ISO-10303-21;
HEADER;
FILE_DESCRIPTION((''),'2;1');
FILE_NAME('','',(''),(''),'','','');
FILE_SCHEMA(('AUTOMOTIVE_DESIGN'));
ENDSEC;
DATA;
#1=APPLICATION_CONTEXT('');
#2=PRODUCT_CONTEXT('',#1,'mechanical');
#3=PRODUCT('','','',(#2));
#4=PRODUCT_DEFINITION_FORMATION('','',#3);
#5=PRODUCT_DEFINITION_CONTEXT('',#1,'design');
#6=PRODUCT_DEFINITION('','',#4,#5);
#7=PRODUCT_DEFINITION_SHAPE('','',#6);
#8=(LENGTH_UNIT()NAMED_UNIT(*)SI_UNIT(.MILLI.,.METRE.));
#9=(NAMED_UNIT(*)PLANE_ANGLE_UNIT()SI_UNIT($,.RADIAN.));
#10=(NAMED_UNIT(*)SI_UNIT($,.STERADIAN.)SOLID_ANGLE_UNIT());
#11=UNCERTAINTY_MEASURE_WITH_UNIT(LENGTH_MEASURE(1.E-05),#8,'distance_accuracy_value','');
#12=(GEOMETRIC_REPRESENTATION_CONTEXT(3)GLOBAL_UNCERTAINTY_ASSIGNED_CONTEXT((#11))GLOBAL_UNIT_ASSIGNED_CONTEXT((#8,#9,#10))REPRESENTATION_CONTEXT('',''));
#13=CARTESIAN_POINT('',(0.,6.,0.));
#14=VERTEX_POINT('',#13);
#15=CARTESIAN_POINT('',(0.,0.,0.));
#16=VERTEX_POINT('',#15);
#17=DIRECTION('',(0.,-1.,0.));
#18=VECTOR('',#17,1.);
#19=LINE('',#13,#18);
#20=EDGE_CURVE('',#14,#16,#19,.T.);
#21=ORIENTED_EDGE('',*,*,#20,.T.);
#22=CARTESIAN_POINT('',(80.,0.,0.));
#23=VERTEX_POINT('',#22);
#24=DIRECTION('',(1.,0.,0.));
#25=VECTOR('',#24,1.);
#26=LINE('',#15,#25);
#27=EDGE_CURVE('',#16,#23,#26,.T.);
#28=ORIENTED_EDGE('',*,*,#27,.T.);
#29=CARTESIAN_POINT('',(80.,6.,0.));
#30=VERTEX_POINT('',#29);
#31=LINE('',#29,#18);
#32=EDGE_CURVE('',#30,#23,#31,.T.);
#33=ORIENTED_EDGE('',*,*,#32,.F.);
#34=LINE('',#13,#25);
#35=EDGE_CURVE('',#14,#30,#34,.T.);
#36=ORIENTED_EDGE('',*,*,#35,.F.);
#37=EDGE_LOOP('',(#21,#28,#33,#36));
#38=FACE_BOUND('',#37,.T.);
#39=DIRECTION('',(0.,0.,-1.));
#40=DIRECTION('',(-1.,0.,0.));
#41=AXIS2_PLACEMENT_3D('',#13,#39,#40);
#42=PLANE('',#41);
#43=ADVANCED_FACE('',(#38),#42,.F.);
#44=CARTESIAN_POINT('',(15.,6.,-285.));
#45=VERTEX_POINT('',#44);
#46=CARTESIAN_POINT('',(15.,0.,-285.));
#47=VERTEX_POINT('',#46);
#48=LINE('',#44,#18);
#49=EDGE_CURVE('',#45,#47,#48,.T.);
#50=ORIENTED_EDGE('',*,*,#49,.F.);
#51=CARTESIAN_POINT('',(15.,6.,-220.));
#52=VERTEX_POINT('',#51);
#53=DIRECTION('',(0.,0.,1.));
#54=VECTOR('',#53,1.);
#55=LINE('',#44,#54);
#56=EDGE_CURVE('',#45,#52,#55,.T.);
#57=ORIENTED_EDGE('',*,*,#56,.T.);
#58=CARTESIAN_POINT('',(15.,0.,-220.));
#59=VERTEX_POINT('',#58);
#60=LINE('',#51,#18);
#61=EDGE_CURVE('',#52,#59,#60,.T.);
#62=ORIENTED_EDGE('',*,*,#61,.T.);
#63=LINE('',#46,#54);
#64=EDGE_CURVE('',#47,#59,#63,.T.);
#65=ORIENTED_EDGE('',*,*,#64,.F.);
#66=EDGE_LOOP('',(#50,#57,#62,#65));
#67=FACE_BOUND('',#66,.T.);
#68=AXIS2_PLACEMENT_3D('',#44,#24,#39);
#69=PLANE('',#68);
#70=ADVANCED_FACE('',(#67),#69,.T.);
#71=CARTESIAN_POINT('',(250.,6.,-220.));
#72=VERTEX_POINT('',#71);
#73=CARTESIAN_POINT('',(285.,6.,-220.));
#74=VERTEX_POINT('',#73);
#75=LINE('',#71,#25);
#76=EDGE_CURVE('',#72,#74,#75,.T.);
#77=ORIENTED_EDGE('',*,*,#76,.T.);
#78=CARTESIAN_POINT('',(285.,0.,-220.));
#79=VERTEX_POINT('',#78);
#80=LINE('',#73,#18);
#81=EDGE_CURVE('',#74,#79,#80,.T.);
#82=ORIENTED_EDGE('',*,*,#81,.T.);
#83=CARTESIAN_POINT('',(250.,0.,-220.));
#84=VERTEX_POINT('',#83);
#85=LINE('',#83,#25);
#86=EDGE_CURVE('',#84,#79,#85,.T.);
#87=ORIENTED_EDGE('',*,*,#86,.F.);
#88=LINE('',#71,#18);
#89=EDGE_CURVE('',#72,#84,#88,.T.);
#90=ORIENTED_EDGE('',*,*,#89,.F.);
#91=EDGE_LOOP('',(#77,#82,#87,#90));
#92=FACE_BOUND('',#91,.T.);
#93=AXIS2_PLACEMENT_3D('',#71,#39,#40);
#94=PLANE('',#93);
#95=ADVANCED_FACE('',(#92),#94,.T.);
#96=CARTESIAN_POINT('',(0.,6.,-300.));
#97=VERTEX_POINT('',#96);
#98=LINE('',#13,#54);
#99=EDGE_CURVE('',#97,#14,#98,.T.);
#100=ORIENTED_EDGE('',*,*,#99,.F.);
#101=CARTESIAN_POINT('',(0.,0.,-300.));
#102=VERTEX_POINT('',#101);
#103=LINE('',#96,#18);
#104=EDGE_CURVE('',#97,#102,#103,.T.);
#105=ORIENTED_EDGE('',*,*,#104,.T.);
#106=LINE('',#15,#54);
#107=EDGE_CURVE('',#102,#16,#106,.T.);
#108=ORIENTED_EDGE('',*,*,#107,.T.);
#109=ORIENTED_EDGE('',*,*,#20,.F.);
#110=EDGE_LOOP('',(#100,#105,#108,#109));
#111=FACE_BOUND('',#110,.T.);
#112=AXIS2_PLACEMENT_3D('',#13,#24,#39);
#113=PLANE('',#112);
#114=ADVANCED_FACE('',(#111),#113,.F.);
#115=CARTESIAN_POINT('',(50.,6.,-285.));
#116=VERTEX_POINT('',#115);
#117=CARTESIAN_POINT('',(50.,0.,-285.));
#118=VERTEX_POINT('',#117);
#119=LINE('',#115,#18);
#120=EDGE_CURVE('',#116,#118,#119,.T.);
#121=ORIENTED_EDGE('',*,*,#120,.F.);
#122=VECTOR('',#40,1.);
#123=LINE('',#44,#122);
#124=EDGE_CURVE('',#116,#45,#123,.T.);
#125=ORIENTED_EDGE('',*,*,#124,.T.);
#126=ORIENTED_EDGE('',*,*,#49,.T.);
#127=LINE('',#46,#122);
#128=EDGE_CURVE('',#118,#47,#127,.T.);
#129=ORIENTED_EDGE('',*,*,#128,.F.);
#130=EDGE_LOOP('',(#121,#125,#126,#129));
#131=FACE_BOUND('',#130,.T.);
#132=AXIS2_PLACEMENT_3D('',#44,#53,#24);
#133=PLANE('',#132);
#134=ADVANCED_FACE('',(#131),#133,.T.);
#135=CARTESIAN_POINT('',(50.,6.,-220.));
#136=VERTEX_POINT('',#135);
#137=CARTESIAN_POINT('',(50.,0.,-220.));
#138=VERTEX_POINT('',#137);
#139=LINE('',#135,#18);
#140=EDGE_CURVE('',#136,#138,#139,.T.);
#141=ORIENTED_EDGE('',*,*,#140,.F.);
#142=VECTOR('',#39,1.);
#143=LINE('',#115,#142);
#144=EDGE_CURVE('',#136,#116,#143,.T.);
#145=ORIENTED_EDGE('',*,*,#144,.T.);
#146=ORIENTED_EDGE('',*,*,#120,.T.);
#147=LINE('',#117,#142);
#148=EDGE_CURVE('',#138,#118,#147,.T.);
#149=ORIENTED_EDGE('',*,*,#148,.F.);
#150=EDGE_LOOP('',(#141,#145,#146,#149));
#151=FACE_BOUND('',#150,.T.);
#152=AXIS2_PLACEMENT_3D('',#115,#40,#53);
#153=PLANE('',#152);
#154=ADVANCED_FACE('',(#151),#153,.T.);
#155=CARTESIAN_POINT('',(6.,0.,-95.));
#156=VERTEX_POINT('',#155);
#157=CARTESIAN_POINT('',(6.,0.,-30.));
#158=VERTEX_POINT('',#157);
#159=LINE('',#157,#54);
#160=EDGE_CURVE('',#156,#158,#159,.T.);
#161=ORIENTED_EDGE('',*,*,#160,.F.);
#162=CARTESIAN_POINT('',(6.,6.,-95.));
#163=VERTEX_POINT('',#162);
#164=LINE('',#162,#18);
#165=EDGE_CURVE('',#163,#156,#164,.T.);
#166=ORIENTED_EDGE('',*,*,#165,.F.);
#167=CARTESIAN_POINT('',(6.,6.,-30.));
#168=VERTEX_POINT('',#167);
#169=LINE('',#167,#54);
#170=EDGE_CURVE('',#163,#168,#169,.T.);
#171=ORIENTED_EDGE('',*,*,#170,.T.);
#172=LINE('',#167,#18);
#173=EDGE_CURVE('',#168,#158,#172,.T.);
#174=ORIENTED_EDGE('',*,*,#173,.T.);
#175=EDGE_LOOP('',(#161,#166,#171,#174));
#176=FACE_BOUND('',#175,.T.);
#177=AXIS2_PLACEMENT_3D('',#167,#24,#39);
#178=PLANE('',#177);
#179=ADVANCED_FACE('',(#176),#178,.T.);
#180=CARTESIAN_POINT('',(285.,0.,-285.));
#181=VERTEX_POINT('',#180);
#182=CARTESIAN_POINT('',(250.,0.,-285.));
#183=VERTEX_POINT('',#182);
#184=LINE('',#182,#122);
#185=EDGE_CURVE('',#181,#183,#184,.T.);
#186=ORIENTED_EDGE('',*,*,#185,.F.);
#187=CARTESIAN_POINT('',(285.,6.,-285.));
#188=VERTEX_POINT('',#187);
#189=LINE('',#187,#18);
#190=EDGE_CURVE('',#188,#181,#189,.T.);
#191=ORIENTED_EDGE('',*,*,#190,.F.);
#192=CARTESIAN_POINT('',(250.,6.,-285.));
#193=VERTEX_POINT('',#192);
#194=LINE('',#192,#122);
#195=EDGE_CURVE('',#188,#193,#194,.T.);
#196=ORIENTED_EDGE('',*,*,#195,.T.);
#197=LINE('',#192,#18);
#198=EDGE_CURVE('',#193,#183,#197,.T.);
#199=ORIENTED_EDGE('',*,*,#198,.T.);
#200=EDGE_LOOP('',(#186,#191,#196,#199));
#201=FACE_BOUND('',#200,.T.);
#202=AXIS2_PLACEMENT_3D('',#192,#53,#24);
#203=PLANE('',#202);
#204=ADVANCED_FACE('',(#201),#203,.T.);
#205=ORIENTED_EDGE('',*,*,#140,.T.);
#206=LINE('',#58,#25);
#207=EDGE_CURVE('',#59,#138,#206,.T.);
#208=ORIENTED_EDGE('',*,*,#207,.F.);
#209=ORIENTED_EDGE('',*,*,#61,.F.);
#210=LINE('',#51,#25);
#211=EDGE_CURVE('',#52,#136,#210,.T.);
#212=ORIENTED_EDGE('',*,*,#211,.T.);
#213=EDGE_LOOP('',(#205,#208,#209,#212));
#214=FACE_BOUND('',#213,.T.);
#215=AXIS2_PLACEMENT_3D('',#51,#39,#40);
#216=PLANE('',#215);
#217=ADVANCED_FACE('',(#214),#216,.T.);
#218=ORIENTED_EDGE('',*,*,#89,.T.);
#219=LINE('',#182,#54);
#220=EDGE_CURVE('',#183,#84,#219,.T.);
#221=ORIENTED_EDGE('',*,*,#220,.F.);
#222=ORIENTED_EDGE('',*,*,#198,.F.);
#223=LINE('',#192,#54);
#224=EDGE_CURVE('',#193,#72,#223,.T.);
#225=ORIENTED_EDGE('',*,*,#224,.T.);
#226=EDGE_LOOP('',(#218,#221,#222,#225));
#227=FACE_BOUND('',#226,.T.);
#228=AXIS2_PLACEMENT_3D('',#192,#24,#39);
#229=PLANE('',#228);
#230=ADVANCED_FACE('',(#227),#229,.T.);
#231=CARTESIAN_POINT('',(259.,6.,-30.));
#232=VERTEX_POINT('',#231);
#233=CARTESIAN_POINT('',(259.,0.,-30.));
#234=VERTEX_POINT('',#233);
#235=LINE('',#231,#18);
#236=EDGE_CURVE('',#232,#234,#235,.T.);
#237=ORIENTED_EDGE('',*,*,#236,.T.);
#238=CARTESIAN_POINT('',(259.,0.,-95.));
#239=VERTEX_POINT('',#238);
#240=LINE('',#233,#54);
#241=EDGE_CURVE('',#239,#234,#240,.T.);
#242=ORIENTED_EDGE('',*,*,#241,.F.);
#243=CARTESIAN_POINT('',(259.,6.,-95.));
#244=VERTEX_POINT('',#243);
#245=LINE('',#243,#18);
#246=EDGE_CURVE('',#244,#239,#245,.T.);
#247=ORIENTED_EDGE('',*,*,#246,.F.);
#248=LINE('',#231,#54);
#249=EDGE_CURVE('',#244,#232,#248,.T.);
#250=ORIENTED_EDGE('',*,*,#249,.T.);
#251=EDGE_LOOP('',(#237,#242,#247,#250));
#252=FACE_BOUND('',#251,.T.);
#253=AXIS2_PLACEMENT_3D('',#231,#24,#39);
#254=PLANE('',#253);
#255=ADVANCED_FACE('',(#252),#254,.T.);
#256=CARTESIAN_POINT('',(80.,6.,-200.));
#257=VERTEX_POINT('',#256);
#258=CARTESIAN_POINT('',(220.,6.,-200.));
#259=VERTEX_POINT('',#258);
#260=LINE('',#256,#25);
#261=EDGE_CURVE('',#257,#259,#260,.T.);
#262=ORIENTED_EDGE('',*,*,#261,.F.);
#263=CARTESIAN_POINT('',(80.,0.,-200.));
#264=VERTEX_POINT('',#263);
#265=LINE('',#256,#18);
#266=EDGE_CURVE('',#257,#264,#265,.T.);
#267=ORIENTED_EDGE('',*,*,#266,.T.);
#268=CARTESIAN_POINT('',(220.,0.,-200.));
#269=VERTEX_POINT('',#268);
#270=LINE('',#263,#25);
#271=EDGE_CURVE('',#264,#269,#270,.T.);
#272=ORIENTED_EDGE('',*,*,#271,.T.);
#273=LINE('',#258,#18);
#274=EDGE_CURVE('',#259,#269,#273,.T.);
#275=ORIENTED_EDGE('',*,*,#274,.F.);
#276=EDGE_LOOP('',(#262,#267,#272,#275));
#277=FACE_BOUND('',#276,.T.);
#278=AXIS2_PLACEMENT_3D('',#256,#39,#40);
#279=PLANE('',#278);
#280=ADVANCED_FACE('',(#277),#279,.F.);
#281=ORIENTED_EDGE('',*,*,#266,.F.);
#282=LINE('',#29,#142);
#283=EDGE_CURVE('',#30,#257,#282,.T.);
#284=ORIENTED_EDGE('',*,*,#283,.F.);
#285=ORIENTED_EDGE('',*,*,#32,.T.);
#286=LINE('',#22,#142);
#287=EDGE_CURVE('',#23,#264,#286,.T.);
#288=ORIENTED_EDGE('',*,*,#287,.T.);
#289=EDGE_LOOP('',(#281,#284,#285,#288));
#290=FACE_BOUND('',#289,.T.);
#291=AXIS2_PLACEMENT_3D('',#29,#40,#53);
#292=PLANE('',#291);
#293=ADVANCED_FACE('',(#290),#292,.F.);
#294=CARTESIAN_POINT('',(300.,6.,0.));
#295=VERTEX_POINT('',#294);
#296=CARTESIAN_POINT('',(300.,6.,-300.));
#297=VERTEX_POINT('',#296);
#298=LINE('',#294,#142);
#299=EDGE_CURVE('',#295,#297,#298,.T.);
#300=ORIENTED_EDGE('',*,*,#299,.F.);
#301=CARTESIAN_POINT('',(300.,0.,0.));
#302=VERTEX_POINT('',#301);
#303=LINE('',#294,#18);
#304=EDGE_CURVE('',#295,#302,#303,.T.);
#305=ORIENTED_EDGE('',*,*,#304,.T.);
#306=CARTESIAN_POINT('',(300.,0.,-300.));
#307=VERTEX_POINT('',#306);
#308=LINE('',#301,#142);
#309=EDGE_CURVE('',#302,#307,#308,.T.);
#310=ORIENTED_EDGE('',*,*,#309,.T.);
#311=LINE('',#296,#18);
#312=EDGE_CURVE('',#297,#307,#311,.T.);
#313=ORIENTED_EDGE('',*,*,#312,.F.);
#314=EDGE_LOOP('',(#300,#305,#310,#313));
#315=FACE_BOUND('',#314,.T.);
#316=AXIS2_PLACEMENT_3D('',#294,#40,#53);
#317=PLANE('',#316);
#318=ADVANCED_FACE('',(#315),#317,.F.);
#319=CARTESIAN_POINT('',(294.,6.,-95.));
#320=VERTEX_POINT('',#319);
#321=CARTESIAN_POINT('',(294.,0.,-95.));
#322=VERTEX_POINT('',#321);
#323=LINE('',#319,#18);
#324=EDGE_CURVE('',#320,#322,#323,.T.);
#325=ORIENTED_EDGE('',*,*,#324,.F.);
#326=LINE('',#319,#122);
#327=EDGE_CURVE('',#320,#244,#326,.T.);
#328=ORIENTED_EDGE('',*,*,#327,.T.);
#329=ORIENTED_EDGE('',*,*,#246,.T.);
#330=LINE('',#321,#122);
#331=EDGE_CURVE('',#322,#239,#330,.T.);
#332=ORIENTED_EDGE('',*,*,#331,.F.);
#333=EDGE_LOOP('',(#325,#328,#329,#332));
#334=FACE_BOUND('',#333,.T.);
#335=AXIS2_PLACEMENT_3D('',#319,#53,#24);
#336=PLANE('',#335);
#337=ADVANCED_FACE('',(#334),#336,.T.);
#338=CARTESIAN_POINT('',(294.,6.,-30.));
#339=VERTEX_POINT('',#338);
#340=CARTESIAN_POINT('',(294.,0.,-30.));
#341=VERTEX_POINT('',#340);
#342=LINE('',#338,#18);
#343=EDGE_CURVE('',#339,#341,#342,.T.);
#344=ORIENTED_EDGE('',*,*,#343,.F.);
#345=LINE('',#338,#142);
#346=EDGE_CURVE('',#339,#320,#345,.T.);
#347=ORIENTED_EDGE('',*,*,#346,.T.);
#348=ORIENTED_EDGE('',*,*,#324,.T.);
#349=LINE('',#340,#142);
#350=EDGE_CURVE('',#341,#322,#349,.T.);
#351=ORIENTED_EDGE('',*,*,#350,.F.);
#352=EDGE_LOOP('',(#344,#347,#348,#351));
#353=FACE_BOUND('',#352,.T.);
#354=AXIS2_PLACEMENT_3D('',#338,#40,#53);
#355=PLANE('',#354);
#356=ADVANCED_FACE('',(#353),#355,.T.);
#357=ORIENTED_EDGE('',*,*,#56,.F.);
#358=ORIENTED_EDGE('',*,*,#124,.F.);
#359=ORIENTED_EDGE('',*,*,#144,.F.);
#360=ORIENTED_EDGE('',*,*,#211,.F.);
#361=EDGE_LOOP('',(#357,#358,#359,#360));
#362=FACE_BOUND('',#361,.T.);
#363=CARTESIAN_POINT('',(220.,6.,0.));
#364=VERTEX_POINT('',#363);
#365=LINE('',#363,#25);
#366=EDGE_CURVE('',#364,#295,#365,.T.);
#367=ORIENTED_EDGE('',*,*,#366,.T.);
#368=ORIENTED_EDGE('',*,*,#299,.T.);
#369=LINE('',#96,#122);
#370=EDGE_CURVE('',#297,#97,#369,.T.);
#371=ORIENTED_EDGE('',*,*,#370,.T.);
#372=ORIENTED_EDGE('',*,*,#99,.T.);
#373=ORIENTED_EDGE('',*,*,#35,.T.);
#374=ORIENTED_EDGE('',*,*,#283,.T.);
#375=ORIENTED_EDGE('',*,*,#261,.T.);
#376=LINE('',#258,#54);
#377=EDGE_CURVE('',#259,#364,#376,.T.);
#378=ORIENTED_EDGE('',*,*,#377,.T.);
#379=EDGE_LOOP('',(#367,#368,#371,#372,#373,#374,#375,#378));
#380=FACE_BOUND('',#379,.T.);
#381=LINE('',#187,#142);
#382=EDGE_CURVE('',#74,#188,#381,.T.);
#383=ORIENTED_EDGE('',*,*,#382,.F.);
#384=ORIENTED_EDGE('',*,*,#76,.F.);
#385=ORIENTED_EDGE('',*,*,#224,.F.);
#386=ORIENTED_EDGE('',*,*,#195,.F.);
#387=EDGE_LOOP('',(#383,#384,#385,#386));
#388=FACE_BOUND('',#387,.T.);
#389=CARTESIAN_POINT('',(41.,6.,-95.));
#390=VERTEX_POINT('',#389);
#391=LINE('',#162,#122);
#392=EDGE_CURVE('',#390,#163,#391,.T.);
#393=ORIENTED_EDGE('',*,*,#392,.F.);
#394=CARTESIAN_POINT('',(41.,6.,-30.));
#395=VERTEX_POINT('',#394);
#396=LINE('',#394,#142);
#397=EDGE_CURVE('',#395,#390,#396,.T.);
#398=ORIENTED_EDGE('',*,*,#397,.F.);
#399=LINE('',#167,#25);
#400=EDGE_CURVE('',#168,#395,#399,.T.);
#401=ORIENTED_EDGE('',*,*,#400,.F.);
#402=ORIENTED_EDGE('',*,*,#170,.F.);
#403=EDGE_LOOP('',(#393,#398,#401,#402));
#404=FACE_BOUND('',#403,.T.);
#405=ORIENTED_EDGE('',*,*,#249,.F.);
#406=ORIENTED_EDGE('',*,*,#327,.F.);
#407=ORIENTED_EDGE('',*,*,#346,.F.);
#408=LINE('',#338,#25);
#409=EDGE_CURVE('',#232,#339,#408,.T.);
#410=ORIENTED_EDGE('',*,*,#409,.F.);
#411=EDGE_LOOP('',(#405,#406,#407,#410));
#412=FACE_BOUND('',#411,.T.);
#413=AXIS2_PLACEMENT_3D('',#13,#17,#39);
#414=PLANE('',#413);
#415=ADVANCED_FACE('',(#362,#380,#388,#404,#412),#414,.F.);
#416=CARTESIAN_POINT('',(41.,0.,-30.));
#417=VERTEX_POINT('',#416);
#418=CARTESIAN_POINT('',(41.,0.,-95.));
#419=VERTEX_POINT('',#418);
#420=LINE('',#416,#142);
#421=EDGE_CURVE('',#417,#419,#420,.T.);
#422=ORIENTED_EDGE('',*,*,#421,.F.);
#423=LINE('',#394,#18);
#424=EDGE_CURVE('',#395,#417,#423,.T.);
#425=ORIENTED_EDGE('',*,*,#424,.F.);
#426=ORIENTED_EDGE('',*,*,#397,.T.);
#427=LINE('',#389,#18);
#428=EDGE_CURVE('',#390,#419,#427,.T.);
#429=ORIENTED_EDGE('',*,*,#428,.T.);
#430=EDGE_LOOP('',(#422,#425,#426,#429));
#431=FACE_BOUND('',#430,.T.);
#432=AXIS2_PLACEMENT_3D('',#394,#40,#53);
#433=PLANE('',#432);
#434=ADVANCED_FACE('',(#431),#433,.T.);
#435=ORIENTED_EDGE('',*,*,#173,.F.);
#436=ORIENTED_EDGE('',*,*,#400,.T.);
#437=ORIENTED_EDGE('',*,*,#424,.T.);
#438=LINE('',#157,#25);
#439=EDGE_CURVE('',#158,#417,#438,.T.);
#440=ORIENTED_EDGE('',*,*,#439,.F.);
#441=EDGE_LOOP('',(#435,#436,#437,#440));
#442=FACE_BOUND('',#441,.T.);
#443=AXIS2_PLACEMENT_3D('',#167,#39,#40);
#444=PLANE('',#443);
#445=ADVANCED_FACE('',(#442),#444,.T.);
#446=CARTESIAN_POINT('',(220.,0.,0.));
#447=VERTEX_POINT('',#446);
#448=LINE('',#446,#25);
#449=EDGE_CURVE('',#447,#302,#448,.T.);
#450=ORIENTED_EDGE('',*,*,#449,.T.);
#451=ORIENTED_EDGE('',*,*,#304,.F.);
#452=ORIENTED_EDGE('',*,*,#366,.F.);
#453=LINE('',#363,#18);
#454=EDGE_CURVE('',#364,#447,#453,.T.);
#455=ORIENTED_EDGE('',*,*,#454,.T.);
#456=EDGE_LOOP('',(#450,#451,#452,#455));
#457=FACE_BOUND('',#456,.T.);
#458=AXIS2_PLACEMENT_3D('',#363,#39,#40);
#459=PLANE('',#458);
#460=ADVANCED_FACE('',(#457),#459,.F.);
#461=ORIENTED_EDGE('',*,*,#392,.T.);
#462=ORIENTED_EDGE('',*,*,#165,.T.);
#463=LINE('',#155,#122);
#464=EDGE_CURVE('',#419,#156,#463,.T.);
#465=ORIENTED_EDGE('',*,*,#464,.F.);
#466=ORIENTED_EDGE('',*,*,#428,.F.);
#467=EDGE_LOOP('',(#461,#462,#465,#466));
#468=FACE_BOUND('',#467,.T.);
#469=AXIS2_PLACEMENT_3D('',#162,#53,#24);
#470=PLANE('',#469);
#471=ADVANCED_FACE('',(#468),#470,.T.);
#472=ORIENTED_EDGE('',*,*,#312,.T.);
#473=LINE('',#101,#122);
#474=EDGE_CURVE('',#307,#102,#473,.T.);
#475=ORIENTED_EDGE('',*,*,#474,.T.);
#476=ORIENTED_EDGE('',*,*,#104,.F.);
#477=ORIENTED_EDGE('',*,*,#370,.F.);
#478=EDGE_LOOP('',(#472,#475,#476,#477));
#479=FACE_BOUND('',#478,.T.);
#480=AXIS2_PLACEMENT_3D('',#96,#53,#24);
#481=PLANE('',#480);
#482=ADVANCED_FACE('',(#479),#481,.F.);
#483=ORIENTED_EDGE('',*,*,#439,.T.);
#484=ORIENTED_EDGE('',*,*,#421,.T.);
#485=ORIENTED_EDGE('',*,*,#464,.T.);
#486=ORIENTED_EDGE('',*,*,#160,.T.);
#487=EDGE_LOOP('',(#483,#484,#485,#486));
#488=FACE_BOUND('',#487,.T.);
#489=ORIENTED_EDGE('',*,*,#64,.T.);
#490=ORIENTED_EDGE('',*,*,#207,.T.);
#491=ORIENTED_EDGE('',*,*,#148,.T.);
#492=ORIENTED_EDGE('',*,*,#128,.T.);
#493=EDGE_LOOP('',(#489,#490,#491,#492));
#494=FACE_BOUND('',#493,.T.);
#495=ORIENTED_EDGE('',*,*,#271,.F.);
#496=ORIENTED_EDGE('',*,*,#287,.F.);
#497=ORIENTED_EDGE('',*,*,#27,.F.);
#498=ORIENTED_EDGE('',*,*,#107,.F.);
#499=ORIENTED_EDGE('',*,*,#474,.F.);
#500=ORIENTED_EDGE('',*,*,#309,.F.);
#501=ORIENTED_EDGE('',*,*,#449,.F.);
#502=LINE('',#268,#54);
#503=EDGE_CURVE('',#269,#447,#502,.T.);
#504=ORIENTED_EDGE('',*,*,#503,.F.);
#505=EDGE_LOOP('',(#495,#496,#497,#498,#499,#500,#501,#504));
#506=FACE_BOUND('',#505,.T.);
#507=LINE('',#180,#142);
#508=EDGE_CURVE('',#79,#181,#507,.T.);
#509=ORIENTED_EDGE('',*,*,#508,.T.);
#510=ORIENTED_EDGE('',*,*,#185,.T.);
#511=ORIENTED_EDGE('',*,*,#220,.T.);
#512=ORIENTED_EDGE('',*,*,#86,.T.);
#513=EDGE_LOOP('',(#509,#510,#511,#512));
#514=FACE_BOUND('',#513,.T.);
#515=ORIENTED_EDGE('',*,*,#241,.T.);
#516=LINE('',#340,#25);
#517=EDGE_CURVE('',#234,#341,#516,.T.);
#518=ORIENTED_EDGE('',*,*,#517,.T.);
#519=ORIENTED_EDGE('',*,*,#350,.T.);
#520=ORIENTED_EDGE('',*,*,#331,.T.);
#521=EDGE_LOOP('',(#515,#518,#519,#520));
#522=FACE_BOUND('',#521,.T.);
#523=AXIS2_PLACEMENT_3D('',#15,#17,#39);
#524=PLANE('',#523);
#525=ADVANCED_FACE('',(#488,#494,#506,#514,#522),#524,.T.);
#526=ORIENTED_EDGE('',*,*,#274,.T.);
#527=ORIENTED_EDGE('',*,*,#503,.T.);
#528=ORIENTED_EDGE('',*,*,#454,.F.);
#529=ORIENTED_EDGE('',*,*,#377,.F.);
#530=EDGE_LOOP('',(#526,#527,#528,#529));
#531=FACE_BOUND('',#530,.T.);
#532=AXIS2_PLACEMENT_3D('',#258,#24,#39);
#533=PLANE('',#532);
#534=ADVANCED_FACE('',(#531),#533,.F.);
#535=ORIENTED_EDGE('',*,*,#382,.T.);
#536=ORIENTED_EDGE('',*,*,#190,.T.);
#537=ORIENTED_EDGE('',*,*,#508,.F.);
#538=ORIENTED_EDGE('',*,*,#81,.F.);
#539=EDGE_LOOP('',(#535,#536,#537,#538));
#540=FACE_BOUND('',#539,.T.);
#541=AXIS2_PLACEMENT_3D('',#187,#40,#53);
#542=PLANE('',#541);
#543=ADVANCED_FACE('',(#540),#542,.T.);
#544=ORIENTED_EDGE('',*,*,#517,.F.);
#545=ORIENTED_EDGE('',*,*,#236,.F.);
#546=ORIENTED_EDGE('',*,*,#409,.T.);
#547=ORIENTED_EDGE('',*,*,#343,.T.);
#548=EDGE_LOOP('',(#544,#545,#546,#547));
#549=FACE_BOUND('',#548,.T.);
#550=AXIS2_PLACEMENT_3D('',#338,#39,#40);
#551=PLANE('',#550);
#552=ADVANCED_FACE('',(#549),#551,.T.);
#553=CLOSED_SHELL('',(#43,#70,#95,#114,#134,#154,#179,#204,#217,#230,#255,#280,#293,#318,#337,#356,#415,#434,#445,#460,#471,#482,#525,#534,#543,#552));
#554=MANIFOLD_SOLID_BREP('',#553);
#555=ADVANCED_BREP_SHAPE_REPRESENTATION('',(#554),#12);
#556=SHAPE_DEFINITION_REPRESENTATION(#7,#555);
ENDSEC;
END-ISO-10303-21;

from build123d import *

# Parameters (mm, degrees)
SKETCH1_W           = 35
SKETCH1_H           = 65
BOSS_EXTRUDE1_DEPTH = 6


with BuildPart() as part:
    # Sketch1 → Boss-Extrude1 (new body)
    with BuildSketch(Plane(origin=(0, 0, 0), x_dir=(1, 0, 0), z_dir=(0, 1, 0))):
        Polygon((0, 0), (80, 0), (80, 200), (220, 200), (220, 0), (300, 0), (300, 300), (0, 300), align=None)
        with Locations((32.5, 252.5)):
            Rectangle(SKETCH1_W, SKETCH1_H, mode=Mode.SUBTRACT)
        with Locations((267.5, 252.5)):
            Rectangle(SKETCH1_W, SKETCH1_H, mode=Mode.SUBTRACT)
        with Locations((23.5, 62.5)):
            Rectangle(SKETCH1_W, SKETCH1_H, mode=Mode.SUBTRACT)
        with Locations((276.5, 62.5)):
            Rectangle(SKETCH1_W, SKETCH1_H, mode=Mode.SUBTRACT)
    extrude(amount=BOSS_EXTRUDE1_DEPTH)


solid = part.part
